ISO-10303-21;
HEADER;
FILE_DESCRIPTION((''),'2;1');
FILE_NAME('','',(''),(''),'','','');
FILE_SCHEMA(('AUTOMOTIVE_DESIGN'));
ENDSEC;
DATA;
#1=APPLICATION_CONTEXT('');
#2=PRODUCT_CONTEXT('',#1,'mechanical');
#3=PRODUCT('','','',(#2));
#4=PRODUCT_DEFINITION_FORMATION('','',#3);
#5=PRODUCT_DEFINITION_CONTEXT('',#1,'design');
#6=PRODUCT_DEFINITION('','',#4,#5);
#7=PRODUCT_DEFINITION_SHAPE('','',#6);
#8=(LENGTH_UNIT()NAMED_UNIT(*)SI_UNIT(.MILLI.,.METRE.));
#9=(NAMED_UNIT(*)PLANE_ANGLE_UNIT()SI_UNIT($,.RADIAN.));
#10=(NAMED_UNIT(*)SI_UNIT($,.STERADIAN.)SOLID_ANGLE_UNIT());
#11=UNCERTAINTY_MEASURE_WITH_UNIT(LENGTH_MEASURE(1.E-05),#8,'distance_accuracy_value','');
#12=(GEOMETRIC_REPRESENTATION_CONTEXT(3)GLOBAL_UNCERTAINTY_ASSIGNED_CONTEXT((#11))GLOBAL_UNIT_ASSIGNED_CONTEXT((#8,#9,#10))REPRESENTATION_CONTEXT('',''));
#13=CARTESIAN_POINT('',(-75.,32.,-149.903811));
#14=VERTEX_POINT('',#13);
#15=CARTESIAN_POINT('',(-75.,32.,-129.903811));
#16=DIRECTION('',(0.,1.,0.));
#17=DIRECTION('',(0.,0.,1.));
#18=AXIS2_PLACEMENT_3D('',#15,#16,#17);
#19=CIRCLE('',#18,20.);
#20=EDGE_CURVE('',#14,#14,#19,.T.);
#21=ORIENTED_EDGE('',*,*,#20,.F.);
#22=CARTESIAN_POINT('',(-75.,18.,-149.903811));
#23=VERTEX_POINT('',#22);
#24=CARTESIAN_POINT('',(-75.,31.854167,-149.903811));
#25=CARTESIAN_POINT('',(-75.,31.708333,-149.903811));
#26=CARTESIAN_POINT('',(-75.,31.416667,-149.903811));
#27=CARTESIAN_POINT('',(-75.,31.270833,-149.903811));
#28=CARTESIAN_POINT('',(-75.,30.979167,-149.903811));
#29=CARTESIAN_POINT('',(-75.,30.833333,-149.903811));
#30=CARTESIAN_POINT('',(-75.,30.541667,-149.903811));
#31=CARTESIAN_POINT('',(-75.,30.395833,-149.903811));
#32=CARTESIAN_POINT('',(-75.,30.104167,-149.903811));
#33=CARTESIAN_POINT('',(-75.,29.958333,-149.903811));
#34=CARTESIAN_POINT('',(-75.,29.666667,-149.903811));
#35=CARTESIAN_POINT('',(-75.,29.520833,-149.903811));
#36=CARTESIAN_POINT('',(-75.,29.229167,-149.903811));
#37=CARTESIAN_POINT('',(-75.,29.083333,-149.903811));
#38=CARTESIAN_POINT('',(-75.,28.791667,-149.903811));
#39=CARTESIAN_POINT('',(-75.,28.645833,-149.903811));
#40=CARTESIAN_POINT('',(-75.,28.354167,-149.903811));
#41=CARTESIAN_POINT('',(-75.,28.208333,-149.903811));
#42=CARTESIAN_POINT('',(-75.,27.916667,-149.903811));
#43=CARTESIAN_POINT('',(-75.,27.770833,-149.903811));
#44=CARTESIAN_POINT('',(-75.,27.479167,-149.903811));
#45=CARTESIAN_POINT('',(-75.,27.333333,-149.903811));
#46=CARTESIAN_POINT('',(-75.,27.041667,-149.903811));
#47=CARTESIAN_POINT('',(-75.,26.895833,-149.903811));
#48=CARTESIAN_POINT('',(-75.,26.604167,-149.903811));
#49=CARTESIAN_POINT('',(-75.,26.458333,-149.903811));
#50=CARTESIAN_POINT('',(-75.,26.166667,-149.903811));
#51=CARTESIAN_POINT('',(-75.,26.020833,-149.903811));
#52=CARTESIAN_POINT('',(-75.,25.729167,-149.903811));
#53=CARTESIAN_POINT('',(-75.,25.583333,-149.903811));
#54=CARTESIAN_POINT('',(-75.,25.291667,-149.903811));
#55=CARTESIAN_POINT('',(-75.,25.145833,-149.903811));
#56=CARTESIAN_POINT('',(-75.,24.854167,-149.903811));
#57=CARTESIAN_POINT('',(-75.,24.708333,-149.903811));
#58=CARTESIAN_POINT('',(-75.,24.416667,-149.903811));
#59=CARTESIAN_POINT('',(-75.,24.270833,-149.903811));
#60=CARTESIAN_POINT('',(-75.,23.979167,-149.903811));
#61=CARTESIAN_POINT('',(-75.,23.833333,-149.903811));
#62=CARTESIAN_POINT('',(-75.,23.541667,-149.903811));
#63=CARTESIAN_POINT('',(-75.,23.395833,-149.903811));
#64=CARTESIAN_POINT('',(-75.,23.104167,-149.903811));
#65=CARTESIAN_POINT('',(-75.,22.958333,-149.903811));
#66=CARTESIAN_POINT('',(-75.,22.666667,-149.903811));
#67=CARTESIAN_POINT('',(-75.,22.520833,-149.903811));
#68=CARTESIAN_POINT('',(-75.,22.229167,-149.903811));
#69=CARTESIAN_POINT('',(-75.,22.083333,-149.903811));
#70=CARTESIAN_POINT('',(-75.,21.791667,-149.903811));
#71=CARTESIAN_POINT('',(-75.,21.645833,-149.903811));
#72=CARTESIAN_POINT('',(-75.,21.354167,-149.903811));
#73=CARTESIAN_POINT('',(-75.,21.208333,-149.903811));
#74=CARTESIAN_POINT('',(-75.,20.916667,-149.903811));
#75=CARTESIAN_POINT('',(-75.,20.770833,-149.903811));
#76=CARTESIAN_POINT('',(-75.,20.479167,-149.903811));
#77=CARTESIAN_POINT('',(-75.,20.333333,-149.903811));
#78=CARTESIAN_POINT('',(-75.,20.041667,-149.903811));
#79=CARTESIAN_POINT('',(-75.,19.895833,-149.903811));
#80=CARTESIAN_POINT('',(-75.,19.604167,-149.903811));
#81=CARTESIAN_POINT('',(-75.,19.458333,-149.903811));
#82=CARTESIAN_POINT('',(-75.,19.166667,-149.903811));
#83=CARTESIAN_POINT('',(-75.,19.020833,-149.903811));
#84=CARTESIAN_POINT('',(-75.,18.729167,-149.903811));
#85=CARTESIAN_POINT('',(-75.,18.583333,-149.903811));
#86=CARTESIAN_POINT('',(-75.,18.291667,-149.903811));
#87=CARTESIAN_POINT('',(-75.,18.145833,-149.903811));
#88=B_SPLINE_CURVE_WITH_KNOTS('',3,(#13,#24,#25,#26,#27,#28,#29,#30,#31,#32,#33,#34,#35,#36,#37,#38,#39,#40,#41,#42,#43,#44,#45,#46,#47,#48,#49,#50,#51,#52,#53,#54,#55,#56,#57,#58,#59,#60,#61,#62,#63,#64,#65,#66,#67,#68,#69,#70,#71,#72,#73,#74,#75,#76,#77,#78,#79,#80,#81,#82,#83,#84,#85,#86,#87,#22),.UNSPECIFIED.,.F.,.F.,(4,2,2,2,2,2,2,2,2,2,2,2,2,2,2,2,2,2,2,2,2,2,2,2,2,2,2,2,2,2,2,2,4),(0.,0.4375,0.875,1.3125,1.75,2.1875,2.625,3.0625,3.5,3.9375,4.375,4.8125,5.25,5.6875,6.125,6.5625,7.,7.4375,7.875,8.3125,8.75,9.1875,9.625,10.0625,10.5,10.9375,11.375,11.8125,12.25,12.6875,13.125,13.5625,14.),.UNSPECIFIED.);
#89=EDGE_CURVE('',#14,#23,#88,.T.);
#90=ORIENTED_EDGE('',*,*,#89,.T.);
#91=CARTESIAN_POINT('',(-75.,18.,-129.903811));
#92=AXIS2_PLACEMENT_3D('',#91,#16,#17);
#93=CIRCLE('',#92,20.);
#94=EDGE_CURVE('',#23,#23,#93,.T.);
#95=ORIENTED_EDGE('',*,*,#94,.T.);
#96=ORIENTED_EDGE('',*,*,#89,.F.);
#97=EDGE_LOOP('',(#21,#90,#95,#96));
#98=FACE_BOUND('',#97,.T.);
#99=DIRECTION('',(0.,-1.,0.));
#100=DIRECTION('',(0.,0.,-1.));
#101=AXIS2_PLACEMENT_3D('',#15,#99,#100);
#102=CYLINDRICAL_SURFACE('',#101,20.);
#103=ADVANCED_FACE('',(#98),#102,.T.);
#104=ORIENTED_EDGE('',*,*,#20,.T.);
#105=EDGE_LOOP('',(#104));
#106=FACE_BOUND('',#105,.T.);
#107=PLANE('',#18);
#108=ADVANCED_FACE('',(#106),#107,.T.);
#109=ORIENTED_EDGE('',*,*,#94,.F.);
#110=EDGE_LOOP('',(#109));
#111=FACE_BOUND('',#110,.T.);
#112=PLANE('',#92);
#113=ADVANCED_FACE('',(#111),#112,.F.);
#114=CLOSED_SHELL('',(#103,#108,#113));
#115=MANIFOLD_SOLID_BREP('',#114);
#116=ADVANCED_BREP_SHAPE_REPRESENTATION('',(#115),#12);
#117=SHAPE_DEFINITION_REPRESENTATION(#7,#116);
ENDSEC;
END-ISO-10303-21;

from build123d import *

# Parameters (mm, degrees)
SKTACOPVC2_R   = 20
TACOPVC2_DEPTH = 14


with BuildPart() as part:
    # SkTacoPVC2 → TacoPVC2 (new body)
    with BuildSketch(Plane(origin=(0, 18, 0), x_dir=(1, 0, 0), z_dir=(0, 1, 0))):
        with Locations(Location((-75, 129.903810568, 0), (0, 0, 90))):
            Circle(SKTACOPVC2_R)
    extrude(amount=TACOPVC2_DEPTH)


solid = part.part
